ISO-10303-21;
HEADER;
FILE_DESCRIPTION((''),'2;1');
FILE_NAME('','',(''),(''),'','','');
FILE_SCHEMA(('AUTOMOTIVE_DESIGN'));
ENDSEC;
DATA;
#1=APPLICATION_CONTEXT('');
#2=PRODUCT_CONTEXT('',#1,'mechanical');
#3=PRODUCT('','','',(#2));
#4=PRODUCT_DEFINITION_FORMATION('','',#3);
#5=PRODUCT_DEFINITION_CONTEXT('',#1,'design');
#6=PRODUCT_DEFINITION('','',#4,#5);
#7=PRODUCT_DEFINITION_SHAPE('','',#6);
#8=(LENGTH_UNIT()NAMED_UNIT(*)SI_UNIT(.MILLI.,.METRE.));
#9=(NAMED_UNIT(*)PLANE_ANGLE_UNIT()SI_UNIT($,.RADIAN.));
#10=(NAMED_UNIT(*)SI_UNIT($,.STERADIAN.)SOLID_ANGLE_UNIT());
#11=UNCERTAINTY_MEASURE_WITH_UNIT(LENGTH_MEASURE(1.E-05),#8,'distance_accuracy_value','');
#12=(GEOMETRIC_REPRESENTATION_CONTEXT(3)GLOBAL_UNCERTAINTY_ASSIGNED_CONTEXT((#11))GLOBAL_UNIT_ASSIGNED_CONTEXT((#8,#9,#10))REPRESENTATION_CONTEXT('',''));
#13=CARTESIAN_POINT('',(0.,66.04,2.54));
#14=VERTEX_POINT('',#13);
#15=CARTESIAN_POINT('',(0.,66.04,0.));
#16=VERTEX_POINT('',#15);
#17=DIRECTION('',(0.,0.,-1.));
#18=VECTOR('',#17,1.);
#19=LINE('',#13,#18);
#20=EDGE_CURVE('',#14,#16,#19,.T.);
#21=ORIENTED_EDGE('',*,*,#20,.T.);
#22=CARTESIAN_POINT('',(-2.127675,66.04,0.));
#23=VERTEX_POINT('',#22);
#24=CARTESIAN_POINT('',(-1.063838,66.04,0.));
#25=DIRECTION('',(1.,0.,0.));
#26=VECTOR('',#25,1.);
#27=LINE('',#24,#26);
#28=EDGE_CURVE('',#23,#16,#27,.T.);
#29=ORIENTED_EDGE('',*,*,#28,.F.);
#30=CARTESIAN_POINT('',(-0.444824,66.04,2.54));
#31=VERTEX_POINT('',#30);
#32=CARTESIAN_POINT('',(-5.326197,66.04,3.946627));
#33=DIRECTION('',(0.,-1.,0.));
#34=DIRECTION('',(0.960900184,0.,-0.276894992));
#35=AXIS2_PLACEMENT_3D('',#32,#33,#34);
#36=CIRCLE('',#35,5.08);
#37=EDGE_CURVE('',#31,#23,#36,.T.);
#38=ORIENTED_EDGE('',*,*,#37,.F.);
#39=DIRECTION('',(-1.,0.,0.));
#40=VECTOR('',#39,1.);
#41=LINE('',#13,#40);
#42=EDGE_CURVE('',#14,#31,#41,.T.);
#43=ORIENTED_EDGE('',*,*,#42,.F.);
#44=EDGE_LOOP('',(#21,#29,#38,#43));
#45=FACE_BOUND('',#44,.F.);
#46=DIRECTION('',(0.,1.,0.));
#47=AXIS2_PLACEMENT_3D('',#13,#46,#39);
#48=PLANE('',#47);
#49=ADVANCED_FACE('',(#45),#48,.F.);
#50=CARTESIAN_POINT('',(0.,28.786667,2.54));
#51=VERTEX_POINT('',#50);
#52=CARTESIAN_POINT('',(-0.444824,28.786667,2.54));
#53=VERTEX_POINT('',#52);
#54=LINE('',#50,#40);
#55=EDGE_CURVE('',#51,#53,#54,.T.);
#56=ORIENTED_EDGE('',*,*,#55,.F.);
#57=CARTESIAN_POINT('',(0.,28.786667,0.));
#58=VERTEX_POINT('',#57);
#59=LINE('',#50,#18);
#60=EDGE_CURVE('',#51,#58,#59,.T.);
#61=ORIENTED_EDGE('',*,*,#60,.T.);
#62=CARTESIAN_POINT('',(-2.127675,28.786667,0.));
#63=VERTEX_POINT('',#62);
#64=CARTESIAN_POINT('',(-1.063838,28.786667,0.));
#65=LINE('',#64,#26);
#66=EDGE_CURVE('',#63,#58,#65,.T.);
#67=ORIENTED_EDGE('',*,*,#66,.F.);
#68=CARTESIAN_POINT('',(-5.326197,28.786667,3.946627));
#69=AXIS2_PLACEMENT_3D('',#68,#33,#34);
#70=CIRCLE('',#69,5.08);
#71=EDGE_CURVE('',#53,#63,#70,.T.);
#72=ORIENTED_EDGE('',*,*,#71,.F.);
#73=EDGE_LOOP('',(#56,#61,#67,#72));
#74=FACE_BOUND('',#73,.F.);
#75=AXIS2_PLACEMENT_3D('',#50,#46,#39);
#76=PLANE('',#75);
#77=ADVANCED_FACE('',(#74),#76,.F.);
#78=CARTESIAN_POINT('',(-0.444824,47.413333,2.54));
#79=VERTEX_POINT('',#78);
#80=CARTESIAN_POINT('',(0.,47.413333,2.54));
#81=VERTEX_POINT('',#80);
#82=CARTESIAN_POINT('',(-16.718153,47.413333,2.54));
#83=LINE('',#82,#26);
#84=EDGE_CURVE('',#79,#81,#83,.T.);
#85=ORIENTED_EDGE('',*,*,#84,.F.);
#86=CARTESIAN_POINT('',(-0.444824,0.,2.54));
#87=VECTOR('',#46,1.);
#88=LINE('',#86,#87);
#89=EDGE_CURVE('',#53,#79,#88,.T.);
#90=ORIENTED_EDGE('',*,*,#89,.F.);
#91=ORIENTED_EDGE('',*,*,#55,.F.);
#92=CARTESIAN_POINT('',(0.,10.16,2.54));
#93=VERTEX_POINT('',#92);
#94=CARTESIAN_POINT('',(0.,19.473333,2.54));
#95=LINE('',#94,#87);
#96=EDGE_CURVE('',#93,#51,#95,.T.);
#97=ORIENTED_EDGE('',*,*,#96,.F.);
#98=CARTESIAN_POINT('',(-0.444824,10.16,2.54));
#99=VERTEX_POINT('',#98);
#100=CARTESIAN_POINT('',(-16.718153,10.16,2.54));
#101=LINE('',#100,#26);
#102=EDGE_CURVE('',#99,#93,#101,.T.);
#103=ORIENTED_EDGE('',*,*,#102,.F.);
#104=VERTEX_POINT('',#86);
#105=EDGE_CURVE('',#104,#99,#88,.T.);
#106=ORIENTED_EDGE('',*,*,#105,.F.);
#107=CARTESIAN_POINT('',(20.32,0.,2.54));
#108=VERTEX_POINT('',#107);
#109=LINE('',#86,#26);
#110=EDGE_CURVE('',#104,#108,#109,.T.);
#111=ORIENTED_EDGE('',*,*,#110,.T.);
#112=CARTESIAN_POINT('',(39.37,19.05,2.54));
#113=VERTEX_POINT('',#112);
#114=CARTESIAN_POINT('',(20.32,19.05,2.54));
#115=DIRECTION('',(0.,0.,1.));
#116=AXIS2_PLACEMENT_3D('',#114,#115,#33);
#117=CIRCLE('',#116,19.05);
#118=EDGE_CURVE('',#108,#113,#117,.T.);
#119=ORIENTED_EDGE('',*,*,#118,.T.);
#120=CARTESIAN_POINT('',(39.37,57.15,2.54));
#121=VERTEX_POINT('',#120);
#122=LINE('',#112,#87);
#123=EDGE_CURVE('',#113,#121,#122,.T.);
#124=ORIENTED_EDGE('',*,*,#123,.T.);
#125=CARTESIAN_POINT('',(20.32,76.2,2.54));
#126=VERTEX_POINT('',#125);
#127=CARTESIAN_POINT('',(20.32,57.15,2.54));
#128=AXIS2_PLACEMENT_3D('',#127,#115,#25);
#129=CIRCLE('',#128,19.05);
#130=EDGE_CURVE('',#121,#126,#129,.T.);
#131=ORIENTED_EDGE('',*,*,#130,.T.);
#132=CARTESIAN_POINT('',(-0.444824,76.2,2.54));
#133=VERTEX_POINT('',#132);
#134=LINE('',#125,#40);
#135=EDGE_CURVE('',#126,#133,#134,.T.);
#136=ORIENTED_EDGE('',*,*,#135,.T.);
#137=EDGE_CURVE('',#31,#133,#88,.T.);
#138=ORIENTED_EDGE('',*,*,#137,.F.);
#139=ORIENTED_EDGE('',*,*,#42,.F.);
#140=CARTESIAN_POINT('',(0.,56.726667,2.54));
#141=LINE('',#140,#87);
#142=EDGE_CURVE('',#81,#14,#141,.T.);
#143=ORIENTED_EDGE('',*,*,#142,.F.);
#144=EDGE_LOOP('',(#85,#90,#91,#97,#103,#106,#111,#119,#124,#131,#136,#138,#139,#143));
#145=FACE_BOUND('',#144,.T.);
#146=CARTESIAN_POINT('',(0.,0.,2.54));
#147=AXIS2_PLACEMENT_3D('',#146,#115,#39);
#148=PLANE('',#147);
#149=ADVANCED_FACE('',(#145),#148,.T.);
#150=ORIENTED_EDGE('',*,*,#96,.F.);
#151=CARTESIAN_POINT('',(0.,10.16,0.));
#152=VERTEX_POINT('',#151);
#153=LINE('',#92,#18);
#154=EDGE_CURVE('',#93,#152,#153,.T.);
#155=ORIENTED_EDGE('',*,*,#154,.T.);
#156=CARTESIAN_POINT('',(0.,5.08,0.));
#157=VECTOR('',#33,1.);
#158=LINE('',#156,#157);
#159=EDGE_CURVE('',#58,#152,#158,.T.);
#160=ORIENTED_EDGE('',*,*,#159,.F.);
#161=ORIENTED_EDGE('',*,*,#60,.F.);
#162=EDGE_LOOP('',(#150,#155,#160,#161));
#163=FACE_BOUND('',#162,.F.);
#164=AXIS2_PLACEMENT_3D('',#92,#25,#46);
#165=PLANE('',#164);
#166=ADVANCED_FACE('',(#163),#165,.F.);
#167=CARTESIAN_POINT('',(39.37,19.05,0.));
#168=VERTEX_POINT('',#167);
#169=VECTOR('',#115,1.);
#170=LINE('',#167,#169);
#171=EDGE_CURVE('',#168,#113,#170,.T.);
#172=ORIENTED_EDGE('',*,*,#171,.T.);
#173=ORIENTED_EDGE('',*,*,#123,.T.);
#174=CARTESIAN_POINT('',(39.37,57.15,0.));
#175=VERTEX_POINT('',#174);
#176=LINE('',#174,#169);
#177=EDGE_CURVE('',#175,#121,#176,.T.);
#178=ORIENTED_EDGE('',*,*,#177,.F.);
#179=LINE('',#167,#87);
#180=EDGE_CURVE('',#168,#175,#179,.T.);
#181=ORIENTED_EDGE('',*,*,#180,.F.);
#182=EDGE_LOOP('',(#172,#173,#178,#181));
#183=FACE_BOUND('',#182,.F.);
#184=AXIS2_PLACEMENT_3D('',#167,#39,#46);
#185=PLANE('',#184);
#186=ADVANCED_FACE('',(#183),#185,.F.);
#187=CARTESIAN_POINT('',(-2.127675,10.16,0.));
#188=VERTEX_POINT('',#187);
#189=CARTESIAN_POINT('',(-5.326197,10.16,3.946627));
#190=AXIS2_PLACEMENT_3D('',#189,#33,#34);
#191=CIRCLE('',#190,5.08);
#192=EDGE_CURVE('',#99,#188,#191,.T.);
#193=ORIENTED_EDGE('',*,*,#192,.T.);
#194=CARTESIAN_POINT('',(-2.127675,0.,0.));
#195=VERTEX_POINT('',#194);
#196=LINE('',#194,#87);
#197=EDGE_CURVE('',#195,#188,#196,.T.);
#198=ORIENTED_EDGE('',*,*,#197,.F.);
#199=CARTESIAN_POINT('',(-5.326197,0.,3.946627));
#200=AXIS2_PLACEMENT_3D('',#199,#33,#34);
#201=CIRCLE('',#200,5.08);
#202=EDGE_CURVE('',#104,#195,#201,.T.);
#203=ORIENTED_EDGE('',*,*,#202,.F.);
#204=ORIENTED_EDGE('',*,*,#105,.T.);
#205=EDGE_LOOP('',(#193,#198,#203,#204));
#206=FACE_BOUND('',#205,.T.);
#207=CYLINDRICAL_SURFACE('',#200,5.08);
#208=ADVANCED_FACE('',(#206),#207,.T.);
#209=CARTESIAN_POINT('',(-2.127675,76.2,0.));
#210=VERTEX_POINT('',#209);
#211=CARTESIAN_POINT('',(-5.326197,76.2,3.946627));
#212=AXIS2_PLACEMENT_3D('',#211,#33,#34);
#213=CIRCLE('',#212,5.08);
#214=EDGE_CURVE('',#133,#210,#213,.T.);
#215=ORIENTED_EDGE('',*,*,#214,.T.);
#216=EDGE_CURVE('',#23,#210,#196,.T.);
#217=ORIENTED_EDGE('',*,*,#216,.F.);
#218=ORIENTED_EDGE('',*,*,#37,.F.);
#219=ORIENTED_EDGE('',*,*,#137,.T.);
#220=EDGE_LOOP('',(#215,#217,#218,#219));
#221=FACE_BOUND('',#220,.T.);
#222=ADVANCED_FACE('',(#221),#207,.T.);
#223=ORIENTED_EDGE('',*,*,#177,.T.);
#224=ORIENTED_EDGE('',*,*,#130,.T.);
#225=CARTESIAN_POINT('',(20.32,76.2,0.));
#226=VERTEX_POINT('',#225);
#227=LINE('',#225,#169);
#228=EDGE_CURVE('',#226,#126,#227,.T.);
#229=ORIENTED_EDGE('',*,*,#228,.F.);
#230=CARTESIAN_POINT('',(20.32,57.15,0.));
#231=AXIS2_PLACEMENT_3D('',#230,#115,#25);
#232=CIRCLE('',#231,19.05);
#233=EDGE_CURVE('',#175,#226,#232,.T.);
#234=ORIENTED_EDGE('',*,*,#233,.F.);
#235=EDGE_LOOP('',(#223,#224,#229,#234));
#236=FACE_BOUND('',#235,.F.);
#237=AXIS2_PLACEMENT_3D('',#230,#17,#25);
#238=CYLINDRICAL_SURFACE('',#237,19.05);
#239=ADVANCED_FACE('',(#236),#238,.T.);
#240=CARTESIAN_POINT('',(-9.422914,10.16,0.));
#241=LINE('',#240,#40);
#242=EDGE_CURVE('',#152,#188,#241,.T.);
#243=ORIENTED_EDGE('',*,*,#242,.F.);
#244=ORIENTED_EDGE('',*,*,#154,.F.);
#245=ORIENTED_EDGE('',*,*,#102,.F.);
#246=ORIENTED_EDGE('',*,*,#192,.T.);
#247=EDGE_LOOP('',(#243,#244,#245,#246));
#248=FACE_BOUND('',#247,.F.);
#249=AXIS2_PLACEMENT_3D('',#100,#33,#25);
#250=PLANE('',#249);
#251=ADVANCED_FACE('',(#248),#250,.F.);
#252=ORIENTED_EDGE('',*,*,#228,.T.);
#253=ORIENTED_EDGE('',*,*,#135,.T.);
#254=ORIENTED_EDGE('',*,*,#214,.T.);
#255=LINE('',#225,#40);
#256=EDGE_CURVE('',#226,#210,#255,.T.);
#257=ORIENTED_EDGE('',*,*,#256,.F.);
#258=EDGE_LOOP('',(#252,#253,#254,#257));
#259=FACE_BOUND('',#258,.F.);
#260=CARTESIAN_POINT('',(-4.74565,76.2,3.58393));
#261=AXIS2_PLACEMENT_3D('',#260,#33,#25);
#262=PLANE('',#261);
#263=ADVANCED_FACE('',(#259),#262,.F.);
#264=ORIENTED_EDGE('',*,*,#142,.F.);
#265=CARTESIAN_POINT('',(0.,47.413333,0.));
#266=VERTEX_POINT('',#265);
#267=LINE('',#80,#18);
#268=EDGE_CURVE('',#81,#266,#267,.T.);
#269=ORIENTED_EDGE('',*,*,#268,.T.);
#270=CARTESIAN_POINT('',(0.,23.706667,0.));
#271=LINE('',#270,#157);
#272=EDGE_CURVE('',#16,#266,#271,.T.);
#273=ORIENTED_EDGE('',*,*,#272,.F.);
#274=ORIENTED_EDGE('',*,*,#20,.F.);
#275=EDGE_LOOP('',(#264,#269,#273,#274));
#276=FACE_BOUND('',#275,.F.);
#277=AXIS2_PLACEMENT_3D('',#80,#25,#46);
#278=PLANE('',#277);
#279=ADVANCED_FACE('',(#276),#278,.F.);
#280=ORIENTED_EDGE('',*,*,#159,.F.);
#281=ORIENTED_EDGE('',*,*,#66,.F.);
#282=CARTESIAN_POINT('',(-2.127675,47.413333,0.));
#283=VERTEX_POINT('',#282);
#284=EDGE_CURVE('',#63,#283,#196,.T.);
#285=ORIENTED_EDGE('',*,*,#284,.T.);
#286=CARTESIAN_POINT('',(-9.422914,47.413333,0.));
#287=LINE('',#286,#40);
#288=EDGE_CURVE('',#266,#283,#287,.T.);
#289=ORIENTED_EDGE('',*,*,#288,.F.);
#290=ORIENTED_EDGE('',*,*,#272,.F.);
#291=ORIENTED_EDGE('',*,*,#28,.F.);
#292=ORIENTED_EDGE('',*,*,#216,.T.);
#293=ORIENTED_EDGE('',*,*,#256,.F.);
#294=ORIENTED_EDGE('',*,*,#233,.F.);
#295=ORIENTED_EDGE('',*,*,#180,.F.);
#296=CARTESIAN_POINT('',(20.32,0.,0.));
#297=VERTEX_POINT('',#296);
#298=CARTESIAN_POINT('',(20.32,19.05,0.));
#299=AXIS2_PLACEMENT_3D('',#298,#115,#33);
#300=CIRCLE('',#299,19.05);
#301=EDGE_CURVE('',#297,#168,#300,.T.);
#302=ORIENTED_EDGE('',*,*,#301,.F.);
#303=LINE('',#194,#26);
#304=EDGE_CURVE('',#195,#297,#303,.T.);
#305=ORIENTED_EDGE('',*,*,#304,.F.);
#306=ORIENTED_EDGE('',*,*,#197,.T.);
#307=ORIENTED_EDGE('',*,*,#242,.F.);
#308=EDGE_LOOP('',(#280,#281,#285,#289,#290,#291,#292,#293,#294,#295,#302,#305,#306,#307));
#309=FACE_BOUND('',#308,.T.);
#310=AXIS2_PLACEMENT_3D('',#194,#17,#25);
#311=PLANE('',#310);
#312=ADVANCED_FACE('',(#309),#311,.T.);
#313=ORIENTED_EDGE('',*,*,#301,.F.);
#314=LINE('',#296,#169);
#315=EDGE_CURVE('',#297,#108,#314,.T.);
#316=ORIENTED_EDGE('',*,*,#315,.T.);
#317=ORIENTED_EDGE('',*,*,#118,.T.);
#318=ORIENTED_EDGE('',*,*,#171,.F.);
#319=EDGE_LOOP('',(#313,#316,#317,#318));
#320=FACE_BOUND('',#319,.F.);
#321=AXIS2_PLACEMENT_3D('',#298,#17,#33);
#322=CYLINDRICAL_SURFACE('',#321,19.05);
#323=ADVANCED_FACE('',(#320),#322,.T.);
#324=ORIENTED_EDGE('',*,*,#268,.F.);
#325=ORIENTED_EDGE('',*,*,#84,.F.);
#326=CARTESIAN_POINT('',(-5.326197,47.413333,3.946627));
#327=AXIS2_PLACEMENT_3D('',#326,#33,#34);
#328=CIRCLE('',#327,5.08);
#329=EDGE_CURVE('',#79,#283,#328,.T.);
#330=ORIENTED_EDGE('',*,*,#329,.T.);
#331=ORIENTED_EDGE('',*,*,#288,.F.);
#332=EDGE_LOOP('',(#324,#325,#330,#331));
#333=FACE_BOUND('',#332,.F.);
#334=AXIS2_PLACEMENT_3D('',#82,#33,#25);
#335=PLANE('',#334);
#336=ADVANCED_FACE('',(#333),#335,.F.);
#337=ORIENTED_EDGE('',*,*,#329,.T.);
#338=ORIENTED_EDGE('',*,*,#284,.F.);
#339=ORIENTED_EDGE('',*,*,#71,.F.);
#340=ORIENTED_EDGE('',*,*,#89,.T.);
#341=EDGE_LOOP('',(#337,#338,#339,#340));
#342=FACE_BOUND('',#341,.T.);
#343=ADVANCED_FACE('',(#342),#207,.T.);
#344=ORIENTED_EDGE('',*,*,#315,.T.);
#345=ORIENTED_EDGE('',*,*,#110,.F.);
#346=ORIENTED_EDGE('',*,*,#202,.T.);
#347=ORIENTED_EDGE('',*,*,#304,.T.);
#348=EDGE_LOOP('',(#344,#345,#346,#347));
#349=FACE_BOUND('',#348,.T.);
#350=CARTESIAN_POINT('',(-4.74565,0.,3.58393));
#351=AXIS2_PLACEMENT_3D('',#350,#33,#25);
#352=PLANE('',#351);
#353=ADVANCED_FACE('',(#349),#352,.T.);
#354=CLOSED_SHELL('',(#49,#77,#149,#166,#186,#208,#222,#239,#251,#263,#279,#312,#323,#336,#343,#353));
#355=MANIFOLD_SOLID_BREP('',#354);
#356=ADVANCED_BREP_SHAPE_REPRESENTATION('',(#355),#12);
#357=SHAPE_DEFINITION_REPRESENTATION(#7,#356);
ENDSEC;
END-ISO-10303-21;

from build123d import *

# Parameters (mm, degrees)
F1_DEPTH      = 2.54
F3_DEPTH      = 76.2
F4_W          = 16.2733292935
F4_H          = 18.6266666667
F4_W_2        = 0.444823617
F5_DEPTH      = 3.6743734411
F5_DEPTH_BACK = 6.4876265589


with BuildPart() as f1:
    # F0 (on Top) → F1 (new body)
    with BuildSketch(Plane.XY):
        with BuildLine():
            Line((0, 76.2), (0, 0))
            Line((0, 0), (20.32, 0))
            ThreePointArc((20.32, 0), (33.7903841816, 5.5796158184), (39.37, 19.05))
            Line((39.37, 19.05), (39.37, 57.15))
            ThreePointArc((39.37, 57.15), (33.7903841816, 70.6203841816), (20.32, 76.2))
            Line((20.32, 76.2), (0, 76.2))
        make_face()
    extrude(amount=F1_DEPTH)

    # F2 (on face) → F3 (join, through all)
    with BuildSketch(Plane.XZ):
        with BuildLine():
            Line((0, 2.54), (-0.444823617, 2.54))
            ThreePointArc((-0.444823617, 2.54), (-9.5610605276, 6.7523933173), (-2.1276752047, 0))
            Line((-2.1276752047, 0), (0, 0))
            Line((0, 0), (0, 2.54))
        make_face()
    extrude(amount=-F3_DEPTH)

    # F4 (on face) → F5 (cut, two sides)
    with BuildSketch(Plane.XY.offset(2.54)) as f5_sk:
        with Locations((-8.5814882637, 56.7266666667)):
            Rectangle(F4_W, F4_H)
        with Locations((-0.2224118085, 56.7266666667)):
            Rectangle(F4_W_2, F4_H)
        with Locations((-8.5814882637, 19.4733333333)):
            Rectangle(F4_W, F4_H)
        with Locations((-0.2224118085, 19.4733333333)):
            Rectangle(F4_W_2, F4_H)
    extrude(amount=-F5_DEPTH, mode=Mode.SUBTRACT)
    extrude(f5_sk.sketch, amount=F5_DEPTH_BACK, mode=Mode.SUBTRACT)


solid = f1.part
